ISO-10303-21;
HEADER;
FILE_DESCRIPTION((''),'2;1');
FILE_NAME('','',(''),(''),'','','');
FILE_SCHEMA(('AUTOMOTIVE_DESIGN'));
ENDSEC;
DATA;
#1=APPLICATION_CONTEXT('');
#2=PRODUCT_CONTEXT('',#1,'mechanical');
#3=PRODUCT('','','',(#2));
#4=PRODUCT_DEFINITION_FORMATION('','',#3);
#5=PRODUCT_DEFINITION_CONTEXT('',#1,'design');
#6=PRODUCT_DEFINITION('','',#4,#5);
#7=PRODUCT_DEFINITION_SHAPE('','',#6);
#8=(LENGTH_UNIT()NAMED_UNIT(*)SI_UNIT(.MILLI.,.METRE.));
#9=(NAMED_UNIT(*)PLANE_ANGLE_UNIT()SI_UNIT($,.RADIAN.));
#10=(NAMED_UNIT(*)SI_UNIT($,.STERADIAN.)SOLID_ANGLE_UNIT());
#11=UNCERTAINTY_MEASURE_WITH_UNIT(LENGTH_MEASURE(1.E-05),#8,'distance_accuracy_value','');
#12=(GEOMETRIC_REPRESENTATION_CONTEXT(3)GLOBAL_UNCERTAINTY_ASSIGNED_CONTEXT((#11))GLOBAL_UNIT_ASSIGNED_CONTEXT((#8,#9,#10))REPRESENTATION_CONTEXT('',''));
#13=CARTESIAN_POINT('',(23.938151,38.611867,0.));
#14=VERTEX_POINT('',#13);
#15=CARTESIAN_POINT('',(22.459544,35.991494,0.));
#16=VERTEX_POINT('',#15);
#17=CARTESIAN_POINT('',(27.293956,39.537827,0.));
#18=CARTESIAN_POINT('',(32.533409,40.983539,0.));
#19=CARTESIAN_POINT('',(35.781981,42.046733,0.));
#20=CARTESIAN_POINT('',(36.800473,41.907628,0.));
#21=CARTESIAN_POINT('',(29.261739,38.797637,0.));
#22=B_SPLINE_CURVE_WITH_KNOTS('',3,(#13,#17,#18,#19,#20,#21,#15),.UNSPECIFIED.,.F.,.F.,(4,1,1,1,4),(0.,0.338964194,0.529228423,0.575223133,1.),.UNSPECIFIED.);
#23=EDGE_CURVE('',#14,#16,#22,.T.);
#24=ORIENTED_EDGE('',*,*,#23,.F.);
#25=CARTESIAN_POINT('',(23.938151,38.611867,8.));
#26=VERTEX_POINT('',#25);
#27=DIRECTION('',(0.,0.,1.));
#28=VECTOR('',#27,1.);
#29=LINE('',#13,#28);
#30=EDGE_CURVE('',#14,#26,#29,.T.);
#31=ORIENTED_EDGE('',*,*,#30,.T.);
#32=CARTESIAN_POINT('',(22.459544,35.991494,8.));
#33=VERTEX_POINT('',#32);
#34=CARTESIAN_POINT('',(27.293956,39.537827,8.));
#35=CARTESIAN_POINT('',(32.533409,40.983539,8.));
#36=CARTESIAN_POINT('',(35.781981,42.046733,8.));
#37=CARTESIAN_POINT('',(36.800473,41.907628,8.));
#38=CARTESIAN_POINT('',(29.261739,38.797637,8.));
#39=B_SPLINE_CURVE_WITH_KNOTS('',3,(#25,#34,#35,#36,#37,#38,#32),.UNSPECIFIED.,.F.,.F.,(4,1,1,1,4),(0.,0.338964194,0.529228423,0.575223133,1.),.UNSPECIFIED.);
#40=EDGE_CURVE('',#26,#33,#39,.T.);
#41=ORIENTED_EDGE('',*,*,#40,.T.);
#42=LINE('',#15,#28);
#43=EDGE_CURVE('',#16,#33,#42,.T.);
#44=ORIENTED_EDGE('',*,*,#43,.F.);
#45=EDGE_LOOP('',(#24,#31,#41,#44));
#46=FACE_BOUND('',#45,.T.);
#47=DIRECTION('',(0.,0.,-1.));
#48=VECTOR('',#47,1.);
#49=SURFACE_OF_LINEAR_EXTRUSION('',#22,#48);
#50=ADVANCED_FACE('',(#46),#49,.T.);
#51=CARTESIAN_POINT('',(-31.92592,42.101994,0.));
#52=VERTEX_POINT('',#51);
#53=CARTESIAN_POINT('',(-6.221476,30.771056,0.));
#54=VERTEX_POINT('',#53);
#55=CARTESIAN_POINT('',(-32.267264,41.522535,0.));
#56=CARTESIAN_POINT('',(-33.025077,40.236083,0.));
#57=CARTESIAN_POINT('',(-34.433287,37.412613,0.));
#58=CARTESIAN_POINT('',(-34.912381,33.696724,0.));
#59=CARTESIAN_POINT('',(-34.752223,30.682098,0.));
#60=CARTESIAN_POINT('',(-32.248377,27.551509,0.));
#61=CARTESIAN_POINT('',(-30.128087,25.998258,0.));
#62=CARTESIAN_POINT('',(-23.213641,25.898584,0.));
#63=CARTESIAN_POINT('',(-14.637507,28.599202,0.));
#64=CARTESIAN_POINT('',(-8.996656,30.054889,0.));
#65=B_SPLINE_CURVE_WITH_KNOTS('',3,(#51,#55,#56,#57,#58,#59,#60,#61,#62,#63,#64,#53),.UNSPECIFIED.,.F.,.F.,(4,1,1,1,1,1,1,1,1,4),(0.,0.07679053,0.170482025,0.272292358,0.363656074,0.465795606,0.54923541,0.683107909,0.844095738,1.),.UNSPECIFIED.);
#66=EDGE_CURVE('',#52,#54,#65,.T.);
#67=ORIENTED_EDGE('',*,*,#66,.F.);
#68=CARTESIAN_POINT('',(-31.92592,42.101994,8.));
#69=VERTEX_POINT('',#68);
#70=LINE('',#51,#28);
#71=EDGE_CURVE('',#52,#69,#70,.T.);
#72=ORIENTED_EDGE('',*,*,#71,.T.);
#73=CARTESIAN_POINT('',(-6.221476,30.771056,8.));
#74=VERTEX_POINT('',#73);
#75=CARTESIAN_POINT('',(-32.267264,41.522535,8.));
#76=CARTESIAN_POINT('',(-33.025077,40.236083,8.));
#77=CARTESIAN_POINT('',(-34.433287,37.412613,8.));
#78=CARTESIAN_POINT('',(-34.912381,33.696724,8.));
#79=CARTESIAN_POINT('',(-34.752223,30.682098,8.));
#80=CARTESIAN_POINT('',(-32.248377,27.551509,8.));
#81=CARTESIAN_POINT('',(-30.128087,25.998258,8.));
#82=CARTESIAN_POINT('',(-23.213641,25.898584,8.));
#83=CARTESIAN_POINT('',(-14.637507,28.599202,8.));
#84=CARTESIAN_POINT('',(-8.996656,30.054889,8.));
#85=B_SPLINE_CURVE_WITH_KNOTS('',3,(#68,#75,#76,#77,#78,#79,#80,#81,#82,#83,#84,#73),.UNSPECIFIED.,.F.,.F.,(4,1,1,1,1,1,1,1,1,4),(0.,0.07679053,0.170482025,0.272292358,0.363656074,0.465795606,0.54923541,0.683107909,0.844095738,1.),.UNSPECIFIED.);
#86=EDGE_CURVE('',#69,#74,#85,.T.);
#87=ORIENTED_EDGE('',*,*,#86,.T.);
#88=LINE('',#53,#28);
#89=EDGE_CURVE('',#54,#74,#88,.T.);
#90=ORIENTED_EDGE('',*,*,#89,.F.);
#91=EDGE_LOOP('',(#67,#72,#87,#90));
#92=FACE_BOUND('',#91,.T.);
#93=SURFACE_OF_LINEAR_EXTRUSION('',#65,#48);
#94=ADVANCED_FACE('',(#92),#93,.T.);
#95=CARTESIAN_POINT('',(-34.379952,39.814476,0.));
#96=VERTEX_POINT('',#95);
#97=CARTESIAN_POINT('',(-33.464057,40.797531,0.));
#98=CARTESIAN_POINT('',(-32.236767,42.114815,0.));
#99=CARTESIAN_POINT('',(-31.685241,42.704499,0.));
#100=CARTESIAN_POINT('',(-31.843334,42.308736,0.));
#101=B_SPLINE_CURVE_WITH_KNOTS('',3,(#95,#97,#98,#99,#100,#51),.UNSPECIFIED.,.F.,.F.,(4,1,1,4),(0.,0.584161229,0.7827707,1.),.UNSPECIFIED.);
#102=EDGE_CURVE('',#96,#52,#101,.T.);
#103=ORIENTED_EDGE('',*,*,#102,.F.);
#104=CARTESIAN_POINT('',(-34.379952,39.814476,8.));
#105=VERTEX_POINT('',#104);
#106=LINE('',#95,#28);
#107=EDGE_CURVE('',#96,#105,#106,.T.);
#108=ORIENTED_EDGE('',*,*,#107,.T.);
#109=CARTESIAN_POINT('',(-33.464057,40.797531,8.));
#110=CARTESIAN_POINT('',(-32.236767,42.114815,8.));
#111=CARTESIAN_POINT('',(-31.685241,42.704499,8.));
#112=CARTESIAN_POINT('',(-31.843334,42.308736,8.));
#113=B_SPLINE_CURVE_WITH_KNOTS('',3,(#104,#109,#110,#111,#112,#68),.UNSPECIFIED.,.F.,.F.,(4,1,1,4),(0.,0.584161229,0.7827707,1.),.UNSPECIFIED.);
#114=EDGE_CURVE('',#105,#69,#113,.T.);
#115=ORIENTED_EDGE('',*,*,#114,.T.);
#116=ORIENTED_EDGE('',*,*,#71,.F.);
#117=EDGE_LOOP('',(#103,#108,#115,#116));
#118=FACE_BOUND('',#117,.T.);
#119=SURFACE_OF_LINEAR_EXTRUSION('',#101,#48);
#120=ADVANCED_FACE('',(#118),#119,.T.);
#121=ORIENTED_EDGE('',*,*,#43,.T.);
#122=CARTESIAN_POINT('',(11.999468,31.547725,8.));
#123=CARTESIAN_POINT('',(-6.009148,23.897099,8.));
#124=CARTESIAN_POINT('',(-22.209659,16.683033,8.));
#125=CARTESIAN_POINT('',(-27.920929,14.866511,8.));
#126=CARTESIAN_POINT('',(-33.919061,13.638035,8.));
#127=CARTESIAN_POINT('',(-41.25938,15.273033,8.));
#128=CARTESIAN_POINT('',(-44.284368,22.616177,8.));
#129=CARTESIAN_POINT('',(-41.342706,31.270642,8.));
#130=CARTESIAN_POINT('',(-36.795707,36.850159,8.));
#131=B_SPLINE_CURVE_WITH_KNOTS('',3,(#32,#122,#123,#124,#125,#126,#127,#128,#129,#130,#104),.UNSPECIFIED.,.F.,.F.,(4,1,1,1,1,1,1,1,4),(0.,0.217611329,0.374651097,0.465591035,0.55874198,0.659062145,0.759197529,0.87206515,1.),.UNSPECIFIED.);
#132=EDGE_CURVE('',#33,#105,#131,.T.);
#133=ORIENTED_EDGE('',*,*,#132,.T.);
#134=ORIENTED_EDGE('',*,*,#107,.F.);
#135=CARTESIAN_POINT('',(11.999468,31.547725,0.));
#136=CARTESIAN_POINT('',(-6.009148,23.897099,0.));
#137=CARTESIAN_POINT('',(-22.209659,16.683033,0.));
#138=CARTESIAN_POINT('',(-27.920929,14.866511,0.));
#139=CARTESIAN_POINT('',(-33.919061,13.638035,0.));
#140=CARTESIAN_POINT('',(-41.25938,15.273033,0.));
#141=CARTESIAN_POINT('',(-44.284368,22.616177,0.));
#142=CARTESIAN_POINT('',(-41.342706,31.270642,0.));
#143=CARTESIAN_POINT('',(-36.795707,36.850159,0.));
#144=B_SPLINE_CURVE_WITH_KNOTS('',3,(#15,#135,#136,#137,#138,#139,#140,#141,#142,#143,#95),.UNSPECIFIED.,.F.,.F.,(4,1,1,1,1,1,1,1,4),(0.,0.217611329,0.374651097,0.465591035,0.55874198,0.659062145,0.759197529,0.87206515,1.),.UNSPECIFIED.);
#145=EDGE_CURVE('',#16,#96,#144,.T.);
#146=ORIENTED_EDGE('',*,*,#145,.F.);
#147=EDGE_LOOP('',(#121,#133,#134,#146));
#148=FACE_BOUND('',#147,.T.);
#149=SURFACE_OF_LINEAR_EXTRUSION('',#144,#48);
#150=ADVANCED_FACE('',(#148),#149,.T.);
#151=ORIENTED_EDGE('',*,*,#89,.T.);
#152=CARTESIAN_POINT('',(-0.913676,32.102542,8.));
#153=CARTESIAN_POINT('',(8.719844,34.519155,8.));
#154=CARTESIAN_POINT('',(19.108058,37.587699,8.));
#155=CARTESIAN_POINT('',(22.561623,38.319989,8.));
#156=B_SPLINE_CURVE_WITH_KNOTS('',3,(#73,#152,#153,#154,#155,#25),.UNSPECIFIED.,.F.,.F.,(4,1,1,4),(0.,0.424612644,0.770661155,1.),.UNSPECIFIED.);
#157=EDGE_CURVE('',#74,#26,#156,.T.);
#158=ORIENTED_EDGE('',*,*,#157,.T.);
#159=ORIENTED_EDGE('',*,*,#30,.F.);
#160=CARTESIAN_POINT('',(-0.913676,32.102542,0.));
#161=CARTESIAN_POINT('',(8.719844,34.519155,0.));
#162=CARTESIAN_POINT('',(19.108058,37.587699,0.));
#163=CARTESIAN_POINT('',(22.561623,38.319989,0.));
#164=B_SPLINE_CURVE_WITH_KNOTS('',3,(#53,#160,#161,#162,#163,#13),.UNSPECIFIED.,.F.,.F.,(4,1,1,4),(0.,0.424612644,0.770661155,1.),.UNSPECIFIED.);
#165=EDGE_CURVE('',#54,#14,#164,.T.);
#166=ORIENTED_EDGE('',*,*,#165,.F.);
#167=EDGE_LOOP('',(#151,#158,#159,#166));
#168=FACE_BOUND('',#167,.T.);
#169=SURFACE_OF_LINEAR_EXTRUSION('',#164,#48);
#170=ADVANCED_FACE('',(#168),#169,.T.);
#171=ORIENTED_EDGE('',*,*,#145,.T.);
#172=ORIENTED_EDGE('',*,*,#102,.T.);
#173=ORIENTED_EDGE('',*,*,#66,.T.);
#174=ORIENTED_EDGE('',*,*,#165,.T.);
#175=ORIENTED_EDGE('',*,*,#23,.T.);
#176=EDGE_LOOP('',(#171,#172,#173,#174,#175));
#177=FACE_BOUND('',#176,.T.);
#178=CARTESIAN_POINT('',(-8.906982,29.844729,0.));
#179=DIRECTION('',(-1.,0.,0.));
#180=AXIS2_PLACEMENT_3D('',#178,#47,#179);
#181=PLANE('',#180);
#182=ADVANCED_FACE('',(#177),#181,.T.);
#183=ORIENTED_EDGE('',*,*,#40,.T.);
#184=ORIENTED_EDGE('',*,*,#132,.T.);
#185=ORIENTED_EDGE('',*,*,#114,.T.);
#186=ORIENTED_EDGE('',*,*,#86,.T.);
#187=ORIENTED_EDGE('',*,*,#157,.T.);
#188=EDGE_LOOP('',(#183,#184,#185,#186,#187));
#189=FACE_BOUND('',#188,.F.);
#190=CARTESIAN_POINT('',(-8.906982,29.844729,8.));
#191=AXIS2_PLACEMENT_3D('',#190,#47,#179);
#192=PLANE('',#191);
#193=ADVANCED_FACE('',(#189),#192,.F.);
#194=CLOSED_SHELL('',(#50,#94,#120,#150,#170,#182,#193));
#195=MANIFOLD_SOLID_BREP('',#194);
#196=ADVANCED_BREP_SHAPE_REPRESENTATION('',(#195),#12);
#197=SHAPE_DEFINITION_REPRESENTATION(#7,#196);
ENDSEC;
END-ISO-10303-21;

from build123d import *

# Parameters (mm, degrees)
F1_DEPTH = 8


with BuildPart() as f1:
    # F0 (on Top) → F1 (new body)
    with BuildSketch(Plane.XY):
        with BuildLine():
            add(Edge.make_bspline(
                [(-31.925920397, 42.1019941568), (-32.2672637432, 41.5225350511), (-33.0250772997, 40.2360826543), (-34.4332871052, 37.4126132116), (-34.9123807874, 33.6967238153), (-34.7522232093, 30.6820982497), (-32.2483767869, 27.551508539), (-30.1280873211, 25.9982580623), (-23.2136414123, 25.8985839789), (-14.637507484, 28.5992024836), (-8.9966561085, 30.0548889707), (-6.2214755453, 30.7710561901)],
                knots=[0, 0, 0, 0, 0.0767905302, 0.1704820247, 0.2722923582, 0.3636560745, 0.4657956059, 0.5492354102, 0.6831079087, 0.8440957377, 1, 1, 1, 1], degree=3))
            add(Edge.make_bspline(
                [(-34.3799516559, 39.8144759238), (-33.4640573999, 40.7975306351), (-32.2367674797, 42.1148149509), (-31.6852405978, 42.7044990339), (-31.8433341687, 42.3087360832), (-31.925920397, 42.1019941568)],
                knots=[0, 0, 0, 0, 0.5841612292, 0.7827707005, 1, 1, 1, 1], degree=3))
            add(Edge.make_bspline(
                [(22.4595442414, 35.9914936125), (11.9994682692, 31.5477248451), (-6.0091481077, 23.8970990551), (-22.2096591886, 16.683032636), (-27.9209285227, 14.8665110632), (-33.9190612211, 13.6380354591), (-41.2593796473, 15.2730330889), (-44.2843677527, 22.6161767064), (-41.3427064006, 31.2706415637), (-36.7957065415, 36.8501593058), (-34.3799516559, 39.8144759238)],
                knots=[0, 0, 0, 0, 0.2176113285, 0.3746510966, 0.4655910353, 0.5587419795, 0.6590621446, 0.759197529, 0.8720651498, 1, 1, 1, 1], degree=3))
            add(Edge.make_bspline(
                [(23.9381510764, 38.6118665338), (27.2939557132, 39.5378270102), (32.5334094014, 40.9835390103), (35.7819806602, 42.0467332621), (36.8004730683, 41.9076279484), (29.2617388747, 38.7976366256), (22.4595442414, 35.9914936125)],
                knots=[0, 0, 0, 0, 0.3389641939, 0.5292284231, 0.5752231327, 1, 1, 1, 1], degree=3))
            add(Edge.make_bspline(
                [(-6.2214755453, 30.7710561901), (-0.9136764342, 32.1025421458), (8.7198440329, 34.51915531), (19.108058384, 37.5876986335), (22.5616234109, 38.3199890195), (23.9381510764, 38.6118665338)],
                knots=[0, 0, 0, 0, 0.4246126437, 0.770661155, 1, 1, 1, 1], degree=3))
        make_face()
    extrude(amount=F1_DEPTH)


solid = f1.part
